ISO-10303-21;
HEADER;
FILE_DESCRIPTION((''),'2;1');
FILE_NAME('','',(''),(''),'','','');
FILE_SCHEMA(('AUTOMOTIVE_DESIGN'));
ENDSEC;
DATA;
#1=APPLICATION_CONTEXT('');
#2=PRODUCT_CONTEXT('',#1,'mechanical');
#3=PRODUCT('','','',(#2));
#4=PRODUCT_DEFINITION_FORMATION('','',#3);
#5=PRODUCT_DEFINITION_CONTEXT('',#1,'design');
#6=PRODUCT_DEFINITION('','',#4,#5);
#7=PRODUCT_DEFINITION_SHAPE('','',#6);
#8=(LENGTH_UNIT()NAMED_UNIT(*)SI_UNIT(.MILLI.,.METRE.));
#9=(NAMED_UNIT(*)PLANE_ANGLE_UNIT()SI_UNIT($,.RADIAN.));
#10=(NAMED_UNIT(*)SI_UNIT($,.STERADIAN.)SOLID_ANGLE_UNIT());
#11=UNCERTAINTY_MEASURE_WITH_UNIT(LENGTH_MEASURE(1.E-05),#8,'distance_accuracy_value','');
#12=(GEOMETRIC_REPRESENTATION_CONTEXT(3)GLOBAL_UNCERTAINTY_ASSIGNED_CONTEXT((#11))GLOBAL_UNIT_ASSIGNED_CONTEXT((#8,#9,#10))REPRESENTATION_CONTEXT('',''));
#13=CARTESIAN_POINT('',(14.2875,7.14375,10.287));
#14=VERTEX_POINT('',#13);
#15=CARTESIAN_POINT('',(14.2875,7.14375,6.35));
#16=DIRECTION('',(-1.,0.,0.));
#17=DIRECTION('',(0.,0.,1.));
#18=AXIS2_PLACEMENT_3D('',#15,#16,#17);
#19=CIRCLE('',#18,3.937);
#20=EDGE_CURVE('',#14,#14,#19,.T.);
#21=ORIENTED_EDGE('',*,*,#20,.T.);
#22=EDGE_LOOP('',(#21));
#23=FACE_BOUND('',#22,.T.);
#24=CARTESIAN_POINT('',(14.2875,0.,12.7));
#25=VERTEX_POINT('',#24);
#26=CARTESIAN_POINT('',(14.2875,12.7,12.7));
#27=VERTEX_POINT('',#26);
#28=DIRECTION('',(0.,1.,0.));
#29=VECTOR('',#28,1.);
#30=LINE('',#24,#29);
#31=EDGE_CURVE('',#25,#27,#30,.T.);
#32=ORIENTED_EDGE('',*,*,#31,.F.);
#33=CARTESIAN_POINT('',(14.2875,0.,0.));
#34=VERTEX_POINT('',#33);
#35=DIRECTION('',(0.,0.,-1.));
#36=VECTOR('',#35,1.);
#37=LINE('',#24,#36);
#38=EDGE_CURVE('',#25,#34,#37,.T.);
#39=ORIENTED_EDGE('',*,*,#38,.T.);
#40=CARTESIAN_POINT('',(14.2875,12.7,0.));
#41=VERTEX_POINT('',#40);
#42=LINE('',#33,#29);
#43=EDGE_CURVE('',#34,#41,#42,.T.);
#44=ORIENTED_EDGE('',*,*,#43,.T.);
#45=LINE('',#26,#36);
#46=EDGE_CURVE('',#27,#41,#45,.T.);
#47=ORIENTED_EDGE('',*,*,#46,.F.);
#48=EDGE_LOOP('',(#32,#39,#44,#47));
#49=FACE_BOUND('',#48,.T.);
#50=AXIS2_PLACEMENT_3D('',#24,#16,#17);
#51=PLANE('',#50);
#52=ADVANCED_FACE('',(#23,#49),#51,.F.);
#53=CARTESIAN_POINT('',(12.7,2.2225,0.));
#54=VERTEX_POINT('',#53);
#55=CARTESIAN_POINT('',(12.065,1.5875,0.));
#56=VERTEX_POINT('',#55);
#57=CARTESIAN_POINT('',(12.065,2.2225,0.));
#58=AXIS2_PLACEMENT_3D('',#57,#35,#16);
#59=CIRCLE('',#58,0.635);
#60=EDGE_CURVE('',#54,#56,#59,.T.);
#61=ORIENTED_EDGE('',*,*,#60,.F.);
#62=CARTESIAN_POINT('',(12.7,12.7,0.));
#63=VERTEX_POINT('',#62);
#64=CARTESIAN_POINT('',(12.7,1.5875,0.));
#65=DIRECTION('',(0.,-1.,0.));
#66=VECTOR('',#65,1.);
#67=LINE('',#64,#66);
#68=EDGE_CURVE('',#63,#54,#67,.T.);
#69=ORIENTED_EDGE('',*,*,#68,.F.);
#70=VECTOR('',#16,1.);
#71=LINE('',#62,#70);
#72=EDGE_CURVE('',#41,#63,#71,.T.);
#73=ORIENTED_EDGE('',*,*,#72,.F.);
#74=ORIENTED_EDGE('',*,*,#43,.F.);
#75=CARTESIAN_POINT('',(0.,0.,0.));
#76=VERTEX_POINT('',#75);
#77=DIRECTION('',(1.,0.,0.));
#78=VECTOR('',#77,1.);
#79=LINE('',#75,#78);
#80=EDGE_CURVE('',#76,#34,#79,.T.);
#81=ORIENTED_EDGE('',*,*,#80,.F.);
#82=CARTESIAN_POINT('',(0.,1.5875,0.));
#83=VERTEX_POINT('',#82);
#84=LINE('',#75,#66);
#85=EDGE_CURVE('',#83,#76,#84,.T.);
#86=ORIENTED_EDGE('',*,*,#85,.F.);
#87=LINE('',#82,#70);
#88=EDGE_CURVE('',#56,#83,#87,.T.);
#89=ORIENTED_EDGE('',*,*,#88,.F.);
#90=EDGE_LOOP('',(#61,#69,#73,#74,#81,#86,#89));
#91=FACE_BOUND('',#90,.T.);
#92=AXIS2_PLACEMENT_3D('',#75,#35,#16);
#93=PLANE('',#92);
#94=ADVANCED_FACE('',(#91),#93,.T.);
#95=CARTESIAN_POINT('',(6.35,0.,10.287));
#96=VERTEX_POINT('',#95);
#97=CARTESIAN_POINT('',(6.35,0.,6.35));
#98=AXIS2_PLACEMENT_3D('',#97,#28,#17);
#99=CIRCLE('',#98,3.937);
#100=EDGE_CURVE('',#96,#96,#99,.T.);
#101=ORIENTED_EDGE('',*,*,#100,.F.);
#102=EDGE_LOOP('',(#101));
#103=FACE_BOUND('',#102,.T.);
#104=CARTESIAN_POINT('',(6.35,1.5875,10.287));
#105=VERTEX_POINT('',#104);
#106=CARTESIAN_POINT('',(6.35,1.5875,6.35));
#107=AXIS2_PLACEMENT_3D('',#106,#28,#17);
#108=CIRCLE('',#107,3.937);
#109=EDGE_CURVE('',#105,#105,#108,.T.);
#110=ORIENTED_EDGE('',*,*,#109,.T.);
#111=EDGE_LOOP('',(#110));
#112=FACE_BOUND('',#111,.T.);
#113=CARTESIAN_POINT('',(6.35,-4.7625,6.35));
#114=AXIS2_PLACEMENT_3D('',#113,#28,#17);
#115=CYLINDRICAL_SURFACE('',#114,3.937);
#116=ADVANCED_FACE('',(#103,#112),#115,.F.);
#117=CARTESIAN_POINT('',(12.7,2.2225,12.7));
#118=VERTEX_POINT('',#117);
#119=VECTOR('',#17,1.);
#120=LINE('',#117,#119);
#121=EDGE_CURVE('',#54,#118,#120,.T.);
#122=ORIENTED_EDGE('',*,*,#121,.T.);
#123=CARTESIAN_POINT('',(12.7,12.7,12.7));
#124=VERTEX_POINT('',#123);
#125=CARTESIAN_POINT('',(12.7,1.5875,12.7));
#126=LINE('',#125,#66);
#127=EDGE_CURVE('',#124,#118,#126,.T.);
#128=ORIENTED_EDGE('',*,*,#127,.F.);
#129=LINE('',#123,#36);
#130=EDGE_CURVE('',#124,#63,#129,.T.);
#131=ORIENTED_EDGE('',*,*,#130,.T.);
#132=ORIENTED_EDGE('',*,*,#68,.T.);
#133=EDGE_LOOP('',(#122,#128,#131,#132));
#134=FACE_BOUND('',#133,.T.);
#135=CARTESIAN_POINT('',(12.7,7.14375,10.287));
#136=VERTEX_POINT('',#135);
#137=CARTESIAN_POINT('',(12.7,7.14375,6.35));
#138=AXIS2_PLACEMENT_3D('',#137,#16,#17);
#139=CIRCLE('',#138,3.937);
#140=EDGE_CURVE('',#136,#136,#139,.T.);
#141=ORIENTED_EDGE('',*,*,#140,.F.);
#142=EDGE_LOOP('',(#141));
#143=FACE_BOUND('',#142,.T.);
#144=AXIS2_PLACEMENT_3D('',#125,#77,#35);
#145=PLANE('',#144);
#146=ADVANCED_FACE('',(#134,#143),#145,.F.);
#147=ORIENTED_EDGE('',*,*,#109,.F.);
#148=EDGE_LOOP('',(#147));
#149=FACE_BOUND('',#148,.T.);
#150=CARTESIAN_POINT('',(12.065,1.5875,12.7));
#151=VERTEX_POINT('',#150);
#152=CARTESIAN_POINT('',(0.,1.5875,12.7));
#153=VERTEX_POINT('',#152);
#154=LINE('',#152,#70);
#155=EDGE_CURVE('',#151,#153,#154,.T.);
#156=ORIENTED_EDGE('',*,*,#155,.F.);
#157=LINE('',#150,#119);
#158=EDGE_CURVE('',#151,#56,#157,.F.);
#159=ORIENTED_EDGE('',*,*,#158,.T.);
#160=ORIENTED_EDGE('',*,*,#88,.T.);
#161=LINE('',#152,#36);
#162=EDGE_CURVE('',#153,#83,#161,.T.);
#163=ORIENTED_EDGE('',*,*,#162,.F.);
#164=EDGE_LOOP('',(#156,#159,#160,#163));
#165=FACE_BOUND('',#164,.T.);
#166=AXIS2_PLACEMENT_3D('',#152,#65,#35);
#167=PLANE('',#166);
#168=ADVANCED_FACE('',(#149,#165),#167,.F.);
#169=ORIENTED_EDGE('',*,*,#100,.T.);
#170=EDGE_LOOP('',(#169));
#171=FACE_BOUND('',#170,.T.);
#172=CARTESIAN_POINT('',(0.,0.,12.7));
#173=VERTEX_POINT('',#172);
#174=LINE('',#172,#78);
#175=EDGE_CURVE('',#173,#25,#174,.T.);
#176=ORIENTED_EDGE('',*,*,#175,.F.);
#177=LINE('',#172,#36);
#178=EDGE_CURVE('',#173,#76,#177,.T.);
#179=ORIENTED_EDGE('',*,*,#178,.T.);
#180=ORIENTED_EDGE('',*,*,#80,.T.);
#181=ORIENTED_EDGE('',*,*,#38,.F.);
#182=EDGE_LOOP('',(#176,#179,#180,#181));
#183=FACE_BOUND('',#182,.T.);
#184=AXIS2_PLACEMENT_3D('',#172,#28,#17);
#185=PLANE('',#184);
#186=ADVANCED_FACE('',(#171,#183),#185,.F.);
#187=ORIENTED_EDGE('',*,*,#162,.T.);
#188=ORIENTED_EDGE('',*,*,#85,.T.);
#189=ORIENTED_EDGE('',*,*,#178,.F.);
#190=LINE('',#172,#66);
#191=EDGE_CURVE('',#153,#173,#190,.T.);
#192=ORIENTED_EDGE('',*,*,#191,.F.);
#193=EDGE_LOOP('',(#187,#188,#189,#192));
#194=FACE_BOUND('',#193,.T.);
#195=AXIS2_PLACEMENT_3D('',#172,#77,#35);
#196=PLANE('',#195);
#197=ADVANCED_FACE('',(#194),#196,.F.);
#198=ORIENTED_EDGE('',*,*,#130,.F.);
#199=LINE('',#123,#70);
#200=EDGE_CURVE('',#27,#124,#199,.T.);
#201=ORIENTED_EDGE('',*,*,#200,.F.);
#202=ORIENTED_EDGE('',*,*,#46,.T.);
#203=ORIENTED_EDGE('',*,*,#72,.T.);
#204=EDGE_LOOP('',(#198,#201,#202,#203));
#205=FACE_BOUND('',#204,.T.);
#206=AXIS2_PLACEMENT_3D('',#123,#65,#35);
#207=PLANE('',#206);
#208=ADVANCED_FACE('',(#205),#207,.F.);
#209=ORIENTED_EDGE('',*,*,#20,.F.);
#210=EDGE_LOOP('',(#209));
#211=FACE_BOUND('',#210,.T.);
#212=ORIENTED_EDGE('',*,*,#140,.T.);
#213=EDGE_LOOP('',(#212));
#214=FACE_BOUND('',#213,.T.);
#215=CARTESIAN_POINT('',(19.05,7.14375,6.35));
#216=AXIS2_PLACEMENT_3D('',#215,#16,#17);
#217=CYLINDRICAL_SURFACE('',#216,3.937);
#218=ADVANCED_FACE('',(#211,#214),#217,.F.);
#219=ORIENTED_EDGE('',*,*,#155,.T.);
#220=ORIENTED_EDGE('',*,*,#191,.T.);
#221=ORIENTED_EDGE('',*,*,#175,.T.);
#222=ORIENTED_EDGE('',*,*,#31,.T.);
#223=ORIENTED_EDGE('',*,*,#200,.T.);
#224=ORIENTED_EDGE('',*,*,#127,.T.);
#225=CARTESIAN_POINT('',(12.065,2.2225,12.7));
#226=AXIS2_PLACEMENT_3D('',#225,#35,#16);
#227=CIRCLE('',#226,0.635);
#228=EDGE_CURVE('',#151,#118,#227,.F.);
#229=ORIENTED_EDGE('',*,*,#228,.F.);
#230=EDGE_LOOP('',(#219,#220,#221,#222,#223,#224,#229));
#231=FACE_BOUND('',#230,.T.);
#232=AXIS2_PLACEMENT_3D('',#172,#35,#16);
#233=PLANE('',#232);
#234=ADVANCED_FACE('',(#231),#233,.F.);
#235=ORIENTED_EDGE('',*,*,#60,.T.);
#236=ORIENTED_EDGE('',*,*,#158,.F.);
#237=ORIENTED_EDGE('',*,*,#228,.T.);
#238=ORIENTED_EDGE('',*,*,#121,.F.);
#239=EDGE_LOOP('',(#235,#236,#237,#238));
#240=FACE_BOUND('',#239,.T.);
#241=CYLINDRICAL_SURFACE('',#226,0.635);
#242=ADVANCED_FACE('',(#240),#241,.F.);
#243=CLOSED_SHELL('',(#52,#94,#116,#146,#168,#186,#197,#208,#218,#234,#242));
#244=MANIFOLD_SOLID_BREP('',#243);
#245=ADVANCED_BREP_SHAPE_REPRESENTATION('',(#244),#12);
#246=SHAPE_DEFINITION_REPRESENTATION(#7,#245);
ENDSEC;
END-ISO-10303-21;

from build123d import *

# Parameters (mm, degrees)
BOSS_EXTRUDE1_DEPTH = 12.7
SKETCH2_R           = 3.937
CUT_EXTRUDE1_DEPTH  = 6.35
SKETCH4_R           = 3.937
CUT_EXTRUDE2_DEPTH  = 6.35
FILLET2_R           = 0.635


with BuildPart() as part:
    # Sketch1 → Boss-Extrude1 (new body)
    with BuildSketch(Plane.XY):
        Polygon((0, 0), (14.2875, 0), (14.2875, 12.7), (12.7, 12.7), (12.7, 1.5875), (0, 1.5875), align=None)
    extrude(amount=BOSS_EXTRUDE1_DEPTH)

    # Sketch2 → Cut-Extrude1 (cut)
    with BuildSketch(Plane.ZY.offset(-12.7)):
        with Locations((6.35, 7.14375)):
            Circle(SKETCH2_R)
    extrude(amount=-CUT_EXTRUDE1_DEPTH, mode=Mode.SUBTRACT)

    # Sketch4 → Cut-Extrude2 (cut)
    with BuildSketch(Plane(origin=(0, 1.5875, 0), x_dir=(1, 0, 0), z_dir=(0, 1, 0))):
        with Locations(Location((6.35, -6.35, 0), (0, 0, 270))):
            Circle(SKETCH4_R)
    extrude(amount=-CUT_EXTRUDE2_DEPTH, mode=Mode.SUBTRACT)

    # Fillet2
    fillet2_edges = [part.edges().sort_by_distance(p)[0] for p in [
        (12.7, 1.5875, 6.35),
    ]]
    fillet(fillet2_edges, radius=FILLET2_R)


solid = part.part
